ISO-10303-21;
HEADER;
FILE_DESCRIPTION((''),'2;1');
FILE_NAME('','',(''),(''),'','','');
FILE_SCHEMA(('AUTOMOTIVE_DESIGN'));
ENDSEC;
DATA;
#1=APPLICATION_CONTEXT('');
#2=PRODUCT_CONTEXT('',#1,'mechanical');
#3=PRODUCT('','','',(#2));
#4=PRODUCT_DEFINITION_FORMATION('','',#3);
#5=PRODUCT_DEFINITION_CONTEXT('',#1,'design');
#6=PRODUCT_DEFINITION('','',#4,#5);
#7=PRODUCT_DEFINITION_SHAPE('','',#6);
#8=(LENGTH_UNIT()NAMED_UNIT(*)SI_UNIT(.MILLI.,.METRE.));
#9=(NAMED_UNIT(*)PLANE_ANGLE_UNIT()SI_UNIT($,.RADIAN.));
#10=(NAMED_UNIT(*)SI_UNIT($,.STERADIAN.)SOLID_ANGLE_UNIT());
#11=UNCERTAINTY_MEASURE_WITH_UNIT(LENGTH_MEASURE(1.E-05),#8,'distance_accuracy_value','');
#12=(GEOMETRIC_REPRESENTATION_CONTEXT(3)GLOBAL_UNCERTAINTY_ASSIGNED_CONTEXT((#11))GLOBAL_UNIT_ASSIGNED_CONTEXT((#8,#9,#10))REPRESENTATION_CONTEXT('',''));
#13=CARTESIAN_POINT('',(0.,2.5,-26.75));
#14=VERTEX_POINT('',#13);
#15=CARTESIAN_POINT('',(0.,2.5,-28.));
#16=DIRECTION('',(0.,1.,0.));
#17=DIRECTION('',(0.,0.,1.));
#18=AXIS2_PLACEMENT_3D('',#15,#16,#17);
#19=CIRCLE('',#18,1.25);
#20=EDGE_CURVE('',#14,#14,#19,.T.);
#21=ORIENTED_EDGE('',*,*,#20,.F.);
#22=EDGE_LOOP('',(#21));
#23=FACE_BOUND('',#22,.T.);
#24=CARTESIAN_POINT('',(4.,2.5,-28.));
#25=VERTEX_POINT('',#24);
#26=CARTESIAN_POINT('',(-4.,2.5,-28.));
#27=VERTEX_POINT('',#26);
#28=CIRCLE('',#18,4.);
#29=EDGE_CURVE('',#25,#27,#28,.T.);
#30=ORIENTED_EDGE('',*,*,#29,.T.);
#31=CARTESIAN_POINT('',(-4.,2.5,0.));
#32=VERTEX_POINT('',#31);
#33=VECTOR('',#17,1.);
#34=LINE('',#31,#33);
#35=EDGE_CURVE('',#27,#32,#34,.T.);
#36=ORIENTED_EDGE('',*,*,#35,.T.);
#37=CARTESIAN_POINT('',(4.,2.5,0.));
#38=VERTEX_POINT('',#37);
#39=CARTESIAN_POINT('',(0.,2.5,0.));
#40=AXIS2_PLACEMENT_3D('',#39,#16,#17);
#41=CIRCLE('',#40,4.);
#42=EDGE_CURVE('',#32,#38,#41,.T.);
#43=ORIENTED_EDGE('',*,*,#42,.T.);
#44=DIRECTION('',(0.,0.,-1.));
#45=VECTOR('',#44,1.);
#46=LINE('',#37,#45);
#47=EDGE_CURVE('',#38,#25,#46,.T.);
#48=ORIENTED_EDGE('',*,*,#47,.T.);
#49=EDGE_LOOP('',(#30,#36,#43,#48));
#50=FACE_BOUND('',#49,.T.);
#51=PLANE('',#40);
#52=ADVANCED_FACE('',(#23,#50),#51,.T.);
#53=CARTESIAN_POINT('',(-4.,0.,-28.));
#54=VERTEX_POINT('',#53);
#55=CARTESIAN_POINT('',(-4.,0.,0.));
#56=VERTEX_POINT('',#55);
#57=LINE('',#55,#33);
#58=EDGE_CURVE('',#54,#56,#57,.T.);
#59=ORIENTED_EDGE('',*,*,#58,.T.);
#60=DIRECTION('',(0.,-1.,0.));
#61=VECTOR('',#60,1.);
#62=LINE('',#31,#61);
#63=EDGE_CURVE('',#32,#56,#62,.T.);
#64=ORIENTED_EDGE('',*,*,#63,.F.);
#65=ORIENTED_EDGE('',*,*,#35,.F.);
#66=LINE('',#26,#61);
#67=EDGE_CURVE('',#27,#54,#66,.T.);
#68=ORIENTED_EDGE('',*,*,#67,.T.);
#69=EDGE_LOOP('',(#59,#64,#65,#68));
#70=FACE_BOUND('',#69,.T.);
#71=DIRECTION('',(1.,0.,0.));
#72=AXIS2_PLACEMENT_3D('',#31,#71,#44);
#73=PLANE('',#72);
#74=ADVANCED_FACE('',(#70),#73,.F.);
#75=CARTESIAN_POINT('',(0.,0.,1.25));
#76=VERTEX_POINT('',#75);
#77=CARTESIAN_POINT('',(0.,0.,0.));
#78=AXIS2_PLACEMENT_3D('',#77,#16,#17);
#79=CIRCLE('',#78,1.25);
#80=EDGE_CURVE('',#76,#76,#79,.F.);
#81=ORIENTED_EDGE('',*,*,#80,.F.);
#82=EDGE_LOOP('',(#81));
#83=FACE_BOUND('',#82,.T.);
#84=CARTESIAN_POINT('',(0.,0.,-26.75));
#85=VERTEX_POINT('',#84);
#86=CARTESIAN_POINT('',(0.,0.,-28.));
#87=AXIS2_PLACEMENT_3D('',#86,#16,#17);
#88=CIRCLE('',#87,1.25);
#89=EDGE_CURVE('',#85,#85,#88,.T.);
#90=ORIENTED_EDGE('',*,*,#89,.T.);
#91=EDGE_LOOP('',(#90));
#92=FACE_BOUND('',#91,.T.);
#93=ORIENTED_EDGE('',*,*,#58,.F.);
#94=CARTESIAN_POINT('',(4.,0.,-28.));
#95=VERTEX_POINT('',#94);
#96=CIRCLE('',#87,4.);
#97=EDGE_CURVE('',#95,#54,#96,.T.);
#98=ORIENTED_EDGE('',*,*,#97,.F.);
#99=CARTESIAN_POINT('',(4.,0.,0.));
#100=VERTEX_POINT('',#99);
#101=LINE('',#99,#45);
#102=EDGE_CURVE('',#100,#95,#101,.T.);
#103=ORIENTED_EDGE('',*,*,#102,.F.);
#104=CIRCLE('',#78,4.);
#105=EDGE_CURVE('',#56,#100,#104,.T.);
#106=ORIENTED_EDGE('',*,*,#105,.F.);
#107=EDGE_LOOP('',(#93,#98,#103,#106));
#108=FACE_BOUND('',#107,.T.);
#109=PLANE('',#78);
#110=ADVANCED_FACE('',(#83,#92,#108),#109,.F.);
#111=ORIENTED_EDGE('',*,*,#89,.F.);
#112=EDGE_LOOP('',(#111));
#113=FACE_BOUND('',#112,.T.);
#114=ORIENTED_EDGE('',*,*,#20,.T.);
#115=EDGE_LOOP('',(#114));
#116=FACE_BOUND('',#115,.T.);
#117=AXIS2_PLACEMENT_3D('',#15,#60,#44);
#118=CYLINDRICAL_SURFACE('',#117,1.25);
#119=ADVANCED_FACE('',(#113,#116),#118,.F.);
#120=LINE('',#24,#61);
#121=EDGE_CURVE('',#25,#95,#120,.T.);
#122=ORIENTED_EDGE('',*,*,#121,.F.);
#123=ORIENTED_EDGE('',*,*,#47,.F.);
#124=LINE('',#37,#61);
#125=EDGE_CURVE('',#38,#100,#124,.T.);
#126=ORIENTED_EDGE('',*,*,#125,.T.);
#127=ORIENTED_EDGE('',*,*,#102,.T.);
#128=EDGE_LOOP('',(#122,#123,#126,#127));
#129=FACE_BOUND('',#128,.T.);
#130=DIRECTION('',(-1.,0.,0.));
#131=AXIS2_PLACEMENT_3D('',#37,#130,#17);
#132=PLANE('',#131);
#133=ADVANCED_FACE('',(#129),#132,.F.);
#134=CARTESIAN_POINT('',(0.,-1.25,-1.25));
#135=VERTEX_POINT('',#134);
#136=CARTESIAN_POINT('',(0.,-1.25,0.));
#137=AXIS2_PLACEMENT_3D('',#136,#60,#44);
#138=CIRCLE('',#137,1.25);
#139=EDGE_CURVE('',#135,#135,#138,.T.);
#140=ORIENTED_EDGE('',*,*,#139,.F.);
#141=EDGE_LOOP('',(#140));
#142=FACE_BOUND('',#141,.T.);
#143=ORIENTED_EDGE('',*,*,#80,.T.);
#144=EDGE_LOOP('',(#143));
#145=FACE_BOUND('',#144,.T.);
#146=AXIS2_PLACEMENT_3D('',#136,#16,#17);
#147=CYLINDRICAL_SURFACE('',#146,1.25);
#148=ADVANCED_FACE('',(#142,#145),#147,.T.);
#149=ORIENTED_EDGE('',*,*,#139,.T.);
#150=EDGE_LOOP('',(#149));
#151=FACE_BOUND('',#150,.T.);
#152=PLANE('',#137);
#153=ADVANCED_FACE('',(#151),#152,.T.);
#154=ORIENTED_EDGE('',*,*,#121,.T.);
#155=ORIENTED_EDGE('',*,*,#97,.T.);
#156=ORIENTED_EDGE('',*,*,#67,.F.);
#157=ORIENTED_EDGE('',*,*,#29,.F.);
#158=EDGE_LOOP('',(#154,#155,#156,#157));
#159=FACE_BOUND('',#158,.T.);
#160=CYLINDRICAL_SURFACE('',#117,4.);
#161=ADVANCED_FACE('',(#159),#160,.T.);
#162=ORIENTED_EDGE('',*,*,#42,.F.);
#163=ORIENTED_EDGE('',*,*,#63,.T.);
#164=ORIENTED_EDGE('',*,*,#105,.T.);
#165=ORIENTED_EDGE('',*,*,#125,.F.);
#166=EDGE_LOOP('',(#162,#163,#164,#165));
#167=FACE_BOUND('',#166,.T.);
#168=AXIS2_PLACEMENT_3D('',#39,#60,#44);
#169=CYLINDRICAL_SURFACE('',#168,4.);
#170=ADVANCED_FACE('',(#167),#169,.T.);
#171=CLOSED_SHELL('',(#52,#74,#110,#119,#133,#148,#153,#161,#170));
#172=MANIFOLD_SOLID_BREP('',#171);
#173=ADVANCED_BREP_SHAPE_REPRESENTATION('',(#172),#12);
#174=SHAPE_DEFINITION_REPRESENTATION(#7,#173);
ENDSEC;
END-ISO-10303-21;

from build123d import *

# Parameters (mm, degrees)
SKETCH1_R           = 1.25
BOSS_EXTRUDE1_DEPTH = 2.5
SKETCH2_R           = 1.25
BOSS_EXTRUDE2_DEPTH = 1.25


with BuildPart() as part:
    # Sketch1 → Boss-Extrude1 (new body)
    with BuildSketch(Plane(origin=(0, 0, 0), x_dir=(1, 0, 0), z_dir=(0, 1, 0))):
        with BuildLine():
            Line((-4, 0), (-4, 28))
            ThreePointArc((-4, 28), (0, 32), (4, 28))
            Line((4, 28), (4, 0))
            ThreePointArc((4, 0), (0, -4), (-4, 0))
        make_face()
        with Locations((0, 28)):
            Circle(SKETCH1_R, mode=Mode.SUBTRACT)
    extrude(amount=BOSS_EXTRUDE1_DEPTH)

    # Sketch2 → Boss-Extrude2 (add)
    with BuildSketch(Plane.XZ):
        Circle(SKETCH2_R)
    extrude(amount=BOSS_EXTRUDE2_DEPTH)


solid = part.part
